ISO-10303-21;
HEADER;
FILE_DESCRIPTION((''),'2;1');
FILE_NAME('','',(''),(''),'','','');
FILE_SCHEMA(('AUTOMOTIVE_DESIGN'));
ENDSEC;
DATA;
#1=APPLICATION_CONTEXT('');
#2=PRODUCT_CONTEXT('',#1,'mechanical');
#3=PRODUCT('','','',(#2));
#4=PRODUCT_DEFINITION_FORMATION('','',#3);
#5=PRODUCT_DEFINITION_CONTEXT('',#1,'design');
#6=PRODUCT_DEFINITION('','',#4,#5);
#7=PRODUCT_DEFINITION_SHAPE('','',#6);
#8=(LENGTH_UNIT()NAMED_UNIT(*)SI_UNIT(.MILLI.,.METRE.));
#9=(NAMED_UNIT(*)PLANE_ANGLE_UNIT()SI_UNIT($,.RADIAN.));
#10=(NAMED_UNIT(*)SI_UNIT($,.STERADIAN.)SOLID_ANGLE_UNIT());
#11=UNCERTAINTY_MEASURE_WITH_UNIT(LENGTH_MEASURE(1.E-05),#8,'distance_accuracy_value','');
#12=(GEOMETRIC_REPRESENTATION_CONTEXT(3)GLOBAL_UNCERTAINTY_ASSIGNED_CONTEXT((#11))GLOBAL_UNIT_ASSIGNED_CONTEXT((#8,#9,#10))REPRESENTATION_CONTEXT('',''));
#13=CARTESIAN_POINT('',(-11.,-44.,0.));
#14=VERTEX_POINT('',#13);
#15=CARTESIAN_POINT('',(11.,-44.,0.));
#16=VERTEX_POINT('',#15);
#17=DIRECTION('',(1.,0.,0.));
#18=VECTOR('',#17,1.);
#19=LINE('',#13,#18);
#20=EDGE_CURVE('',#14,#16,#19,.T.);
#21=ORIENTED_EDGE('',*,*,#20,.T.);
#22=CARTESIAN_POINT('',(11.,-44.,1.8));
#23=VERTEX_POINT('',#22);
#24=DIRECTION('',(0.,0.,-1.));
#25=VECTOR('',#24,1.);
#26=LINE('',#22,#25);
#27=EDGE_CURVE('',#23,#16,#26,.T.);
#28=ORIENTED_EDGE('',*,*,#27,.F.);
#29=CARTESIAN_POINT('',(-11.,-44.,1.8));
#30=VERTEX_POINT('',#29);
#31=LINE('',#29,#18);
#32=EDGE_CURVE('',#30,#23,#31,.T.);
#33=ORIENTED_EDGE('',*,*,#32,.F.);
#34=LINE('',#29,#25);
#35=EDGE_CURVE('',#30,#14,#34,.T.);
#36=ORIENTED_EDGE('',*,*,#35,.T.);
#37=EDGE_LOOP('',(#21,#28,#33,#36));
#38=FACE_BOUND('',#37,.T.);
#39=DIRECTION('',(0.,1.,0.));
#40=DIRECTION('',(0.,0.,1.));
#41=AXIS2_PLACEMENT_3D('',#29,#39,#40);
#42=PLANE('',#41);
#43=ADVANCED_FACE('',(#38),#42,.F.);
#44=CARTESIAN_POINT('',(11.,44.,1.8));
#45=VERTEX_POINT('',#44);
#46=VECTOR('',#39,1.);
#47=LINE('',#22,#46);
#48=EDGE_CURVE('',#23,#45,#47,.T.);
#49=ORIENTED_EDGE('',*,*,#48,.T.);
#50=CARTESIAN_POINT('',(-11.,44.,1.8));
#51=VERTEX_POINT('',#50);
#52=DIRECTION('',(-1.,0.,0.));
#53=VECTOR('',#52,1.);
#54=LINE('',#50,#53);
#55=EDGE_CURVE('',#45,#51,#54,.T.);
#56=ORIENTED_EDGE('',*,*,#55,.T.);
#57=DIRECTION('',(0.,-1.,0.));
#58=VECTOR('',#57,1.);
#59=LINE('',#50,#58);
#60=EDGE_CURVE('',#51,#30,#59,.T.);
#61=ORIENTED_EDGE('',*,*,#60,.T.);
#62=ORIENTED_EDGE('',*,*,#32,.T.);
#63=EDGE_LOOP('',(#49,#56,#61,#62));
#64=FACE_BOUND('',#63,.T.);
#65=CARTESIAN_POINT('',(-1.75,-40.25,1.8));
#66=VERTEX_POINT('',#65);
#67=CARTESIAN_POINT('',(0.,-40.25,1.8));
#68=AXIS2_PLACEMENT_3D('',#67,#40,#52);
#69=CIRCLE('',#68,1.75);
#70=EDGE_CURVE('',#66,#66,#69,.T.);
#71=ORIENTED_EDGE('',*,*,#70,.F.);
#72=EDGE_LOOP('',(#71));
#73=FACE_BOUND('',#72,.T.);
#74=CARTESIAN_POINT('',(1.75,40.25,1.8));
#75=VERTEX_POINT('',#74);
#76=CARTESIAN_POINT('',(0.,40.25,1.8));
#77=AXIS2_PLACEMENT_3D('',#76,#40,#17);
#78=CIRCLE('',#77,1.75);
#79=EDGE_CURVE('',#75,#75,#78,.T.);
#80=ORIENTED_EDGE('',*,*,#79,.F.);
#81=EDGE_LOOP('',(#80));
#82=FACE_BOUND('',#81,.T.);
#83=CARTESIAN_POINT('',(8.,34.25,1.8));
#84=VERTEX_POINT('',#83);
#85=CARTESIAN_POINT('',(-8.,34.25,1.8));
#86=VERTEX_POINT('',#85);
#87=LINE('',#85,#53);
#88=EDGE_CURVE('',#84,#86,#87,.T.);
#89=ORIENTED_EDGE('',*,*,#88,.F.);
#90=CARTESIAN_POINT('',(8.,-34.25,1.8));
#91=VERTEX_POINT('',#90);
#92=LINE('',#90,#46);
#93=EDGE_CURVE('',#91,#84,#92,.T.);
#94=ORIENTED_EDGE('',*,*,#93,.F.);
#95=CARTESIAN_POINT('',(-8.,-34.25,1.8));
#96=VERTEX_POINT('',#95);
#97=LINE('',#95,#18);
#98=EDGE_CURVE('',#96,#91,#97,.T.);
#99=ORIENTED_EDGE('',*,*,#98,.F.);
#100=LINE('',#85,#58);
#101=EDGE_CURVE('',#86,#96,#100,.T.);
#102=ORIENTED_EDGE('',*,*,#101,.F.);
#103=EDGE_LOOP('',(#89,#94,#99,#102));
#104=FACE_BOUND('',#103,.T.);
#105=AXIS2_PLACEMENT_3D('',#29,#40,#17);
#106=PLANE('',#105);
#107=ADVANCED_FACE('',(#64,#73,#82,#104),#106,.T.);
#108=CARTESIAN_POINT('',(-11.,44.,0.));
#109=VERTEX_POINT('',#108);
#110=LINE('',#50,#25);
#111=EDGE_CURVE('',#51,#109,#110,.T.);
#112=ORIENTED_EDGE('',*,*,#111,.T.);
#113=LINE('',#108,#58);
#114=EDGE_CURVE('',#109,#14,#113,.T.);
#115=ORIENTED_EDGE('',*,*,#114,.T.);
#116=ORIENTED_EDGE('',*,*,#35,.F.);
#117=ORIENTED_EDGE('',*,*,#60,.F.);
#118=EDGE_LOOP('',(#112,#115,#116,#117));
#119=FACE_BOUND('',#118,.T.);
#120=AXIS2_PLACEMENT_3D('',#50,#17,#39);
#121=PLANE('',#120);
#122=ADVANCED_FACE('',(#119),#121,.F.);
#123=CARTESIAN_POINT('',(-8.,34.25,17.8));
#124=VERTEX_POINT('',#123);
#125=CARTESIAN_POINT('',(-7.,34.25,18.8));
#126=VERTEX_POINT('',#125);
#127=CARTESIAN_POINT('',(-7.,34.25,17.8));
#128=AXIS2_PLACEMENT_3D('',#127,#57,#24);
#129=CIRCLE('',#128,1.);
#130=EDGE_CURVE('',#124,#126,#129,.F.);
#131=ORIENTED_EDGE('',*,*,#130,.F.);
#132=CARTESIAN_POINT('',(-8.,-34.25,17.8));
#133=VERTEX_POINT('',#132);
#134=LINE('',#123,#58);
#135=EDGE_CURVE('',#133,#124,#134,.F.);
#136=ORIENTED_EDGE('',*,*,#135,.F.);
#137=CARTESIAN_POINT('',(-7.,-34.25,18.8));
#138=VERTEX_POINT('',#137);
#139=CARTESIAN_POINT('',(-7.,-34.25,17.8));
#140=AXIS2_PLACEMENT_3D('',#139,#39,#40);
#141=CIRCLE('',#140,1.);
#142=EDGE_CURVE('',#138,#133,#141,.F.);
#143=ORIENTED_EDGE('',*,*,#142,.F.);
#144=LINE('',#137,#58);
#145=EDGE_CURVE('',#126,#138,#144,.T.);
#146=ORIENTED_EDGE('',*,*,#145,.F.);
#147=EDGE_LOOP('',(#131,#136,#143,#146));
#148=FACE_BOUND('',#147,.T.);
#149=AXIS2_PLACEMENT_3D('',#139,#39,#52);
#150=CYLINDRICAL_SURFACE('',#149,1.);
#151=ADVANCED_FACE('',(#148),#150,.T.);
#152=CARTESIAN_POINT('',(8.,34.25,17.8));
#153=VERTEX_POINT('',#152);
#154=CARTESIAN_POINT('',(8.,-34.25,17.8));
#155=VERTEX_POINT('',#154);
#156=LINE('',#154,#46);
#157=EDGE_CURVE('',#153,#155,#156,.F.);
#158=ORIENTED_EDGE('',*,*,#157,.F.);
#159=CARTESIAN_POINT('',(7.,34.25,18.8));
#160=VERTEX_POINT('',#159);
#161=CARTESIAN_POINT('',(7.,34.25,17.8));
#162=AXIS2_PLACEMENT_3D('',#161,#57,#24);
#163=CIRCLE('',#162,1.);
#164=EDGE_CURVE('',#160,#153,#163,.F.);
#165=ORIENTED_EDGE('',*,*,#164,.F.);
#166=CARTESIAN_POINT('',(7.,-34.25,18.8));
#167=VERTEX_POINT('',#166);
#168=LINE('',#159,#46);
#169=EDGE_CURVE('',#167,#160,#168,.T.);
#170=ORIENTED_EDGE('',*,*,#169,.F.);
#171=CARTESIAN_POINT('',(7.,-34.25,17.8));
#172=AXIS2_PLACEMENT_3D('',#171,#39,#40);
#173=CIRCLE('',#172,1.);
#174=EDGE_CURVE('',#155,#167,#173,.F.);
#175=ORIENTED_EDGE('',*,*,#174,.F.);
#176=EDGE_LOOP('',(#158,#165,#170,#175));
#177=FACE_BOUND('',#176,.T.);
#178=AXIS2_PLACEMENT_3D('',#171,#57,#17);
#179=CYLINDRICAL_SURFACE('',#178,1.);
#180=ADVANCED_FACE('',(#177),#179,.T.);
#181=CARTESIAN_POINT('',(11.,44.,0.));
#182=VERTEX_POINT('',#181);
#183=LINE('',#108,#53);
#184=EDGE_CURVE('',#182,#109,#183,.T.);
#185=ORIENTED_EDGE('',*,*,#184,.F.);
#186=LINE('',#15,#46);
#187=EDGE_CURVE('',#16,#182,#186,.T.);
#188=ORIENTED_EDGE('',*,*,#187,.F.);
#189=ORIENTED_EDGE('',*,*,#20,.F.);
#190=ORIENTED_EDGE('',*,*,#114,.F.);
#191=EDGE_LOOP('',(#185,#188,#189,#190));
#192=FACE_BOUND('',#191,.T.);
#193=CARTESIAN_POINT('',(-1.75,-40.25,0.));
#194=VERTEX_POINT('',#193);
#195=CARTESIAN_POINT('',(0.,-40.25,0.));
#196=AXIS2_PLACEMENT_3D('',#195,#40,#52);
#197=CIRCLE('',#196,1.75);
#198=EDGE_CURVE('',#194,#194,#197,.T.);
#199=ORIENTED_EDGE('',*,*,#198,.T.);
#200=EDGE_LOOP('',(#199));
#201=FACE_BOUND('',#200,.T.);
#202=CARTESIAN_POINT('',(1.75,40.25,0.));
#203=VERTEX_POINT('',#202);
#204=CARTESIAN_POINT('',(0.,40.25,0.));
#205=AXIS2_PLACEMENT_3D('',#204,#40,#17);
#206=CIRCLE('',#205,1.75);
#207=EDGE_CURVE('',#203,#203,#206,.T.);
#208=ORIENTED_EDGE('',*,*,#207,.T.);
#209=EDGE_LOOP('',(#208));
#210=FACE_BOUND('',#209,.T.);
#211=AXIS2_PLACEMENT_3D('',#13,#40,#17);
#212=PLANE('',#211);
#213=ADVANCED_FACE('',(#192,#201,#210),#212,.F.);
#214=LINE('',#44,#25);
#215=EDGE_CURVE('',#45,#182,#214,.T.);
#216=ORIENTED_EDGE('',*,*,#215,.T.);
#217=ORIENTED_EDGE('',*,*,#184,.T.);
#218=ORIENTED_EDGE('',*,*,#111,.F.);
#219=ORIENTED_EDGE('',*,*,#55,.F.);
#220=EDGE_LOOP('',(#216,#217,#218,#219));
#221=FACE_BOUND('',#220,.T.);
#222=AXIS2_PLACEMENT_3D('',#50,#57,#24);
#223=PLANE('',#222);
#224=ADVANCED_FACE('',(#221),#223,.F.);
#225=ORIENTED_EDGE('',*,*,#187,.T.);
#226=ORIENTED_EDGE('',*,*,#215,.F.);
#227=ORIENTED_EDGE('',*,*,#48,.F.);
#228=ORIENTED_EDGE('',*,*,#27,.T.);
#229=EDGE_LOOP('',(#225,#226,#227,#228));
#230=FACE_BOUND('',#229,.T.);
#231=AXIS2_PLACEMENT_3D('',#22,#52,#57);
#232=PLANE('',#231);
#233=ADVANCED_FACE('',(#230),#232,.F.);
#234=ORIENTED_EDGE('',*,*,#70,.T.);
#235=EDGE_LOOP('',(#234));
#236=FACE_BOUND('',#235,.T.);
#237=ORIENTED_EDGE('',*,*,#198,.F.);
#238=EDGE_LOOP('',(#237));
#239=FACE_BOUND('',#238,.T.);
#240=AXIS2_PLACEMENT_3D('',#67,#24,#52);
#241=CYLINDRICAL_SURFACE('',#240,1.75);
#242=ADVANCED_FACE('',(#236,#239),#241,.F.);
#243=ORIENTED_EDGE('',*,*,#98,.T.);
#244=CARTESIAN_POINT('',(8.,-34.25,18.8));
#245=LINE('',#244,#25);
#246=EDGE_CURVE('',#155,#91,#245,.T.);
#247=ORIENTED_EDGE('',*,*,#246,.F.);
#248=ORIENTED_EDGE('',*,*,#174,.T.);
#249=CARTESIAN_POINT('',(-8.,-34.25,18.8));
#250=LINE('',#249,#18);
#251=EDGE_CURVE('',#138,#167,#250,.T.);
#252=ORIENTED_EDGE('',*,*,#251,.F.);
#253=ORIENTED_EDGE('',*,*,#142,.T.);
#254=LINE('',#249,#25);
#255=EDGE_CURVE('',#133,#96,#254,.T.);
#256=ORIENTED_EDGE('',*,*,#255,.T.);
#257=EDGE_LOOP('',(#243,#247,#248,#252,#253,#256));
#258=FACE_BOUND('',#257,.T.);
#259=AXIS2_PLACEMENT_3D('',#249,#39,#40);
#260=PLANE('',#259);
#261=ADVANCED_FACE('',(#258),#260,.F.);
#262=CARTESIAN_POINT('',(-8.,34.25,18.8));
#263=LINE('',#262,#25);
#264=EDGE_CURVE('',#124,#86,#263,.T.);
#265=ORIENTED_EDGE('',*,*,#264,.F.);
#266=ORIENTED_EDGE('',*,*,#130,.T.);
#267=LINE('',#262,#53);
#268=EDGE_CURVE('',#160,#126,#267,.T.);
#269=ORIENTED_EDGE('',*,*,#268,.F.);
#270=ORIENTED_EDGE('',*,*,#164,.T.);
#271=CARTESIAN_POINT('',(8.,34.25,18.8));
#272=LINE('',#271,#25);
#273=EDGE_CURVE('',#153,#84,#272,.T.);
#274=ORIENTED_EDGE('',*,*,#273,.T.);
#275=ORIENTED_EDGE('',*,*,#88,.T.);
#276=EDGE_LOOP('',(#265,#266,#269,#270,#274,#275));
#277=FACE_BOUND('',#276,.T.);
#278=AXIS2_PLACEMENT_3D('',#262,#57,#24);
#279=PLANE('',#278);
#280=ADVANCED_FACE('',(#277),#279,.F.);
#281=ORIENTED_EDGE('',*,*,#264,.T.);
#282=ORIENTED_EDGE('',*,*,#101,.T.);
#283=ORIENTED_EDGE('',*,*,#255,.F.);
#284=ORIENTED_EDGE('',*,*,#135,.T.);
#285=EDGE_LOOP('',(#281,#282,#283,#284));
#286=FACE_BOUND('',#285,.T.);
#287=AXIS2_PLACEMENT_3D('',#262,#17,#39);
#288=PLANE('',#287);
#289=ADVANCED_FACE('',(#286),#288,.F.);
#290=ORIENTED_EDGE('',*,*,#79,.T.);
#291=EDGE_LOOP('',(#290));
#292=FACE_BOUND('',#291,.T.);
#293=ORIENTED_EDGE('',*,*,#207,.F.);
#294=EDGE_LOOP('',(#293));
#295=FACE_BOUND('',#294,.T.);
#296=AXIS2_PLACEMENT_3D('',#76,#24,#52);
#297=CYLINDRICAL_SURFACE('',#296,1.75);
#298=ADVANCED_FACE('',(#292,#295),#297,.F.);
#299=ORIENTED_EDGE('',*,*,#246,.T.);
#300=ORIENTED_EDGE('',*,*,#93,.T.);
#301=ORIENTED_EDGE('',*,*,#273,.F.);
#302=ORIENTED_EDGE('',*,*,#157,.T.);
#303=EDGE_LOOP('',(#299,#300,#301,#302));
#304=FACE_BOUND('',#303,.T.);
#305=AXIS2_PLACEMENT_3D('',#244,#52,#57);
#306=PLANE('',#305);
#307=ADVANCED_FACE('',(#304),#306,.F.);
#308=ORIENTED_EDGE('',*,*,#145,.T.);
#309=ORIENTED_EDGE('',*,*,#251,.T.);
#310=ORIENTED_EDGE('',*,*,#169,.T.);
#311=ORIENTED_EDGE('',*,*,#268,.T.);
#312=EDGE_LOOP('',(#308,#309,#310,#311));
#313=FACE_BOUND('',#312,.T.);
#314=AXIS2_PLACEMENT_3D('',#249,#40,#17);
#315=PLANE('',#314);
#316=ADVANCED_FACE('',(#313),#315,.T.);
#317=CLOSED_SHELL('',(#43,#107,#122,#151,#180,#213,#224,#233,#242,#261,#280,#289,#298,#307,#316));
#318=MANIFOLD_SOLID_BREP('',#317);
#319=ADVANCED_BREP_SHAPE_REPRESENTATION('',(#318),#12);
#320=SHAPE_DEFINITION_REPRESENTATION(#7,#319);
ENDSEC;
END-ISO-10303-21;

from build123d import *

# Parameters (mm, degrees)
SKETCH_1_W      = 22
SKETCH_1_H      = 88
SKETCH_1_R      = 1.75
EXTRUDE_1_DEPTH = 1.8
SKETCH_2_W      = 16
SKETCH_2_H      = 68.5
EXTRUDE_2_DEPTH = 17
FILLET_1_R      = 1


with BuildPart() as part:
    # 草图1 → 拉伸1 (new body)
    with BuildSketch(Plane.XY):
        Rectangle(SKETCH_1_W, SKETCH_1_H)
        with Locations((0, 40.25)):
            Circle(SKETCH_1_R, mode=Mode.SUBTRACT)
        with Locations(Location((0, -40.25, 0), (0, 0, 180))):
            Circle(SKETCH_1_R, mode=Mode.SUBTRACT)
    extrude(amount=EXTRUDE_1_DEPTH)

    # 草图2 → 拉伸2 (add)
    with BuildSketch(Plane.XY.offset(1.8)):
        Rectangle(SKETCH_2_W, SKETCH_2_H)
    extrude(amount=EXTRUDE_2_DEPTH)

    # 圆角1
    fillet_1_edges = [part.edges().sort_by_distance(p)[0] for p in [
        (-8, 0, 18.8),
        (8, 0, 18.8),
    ]]
    fillet(fillet_1_edges, radius=FILLET_1_R)


solid = part.part
